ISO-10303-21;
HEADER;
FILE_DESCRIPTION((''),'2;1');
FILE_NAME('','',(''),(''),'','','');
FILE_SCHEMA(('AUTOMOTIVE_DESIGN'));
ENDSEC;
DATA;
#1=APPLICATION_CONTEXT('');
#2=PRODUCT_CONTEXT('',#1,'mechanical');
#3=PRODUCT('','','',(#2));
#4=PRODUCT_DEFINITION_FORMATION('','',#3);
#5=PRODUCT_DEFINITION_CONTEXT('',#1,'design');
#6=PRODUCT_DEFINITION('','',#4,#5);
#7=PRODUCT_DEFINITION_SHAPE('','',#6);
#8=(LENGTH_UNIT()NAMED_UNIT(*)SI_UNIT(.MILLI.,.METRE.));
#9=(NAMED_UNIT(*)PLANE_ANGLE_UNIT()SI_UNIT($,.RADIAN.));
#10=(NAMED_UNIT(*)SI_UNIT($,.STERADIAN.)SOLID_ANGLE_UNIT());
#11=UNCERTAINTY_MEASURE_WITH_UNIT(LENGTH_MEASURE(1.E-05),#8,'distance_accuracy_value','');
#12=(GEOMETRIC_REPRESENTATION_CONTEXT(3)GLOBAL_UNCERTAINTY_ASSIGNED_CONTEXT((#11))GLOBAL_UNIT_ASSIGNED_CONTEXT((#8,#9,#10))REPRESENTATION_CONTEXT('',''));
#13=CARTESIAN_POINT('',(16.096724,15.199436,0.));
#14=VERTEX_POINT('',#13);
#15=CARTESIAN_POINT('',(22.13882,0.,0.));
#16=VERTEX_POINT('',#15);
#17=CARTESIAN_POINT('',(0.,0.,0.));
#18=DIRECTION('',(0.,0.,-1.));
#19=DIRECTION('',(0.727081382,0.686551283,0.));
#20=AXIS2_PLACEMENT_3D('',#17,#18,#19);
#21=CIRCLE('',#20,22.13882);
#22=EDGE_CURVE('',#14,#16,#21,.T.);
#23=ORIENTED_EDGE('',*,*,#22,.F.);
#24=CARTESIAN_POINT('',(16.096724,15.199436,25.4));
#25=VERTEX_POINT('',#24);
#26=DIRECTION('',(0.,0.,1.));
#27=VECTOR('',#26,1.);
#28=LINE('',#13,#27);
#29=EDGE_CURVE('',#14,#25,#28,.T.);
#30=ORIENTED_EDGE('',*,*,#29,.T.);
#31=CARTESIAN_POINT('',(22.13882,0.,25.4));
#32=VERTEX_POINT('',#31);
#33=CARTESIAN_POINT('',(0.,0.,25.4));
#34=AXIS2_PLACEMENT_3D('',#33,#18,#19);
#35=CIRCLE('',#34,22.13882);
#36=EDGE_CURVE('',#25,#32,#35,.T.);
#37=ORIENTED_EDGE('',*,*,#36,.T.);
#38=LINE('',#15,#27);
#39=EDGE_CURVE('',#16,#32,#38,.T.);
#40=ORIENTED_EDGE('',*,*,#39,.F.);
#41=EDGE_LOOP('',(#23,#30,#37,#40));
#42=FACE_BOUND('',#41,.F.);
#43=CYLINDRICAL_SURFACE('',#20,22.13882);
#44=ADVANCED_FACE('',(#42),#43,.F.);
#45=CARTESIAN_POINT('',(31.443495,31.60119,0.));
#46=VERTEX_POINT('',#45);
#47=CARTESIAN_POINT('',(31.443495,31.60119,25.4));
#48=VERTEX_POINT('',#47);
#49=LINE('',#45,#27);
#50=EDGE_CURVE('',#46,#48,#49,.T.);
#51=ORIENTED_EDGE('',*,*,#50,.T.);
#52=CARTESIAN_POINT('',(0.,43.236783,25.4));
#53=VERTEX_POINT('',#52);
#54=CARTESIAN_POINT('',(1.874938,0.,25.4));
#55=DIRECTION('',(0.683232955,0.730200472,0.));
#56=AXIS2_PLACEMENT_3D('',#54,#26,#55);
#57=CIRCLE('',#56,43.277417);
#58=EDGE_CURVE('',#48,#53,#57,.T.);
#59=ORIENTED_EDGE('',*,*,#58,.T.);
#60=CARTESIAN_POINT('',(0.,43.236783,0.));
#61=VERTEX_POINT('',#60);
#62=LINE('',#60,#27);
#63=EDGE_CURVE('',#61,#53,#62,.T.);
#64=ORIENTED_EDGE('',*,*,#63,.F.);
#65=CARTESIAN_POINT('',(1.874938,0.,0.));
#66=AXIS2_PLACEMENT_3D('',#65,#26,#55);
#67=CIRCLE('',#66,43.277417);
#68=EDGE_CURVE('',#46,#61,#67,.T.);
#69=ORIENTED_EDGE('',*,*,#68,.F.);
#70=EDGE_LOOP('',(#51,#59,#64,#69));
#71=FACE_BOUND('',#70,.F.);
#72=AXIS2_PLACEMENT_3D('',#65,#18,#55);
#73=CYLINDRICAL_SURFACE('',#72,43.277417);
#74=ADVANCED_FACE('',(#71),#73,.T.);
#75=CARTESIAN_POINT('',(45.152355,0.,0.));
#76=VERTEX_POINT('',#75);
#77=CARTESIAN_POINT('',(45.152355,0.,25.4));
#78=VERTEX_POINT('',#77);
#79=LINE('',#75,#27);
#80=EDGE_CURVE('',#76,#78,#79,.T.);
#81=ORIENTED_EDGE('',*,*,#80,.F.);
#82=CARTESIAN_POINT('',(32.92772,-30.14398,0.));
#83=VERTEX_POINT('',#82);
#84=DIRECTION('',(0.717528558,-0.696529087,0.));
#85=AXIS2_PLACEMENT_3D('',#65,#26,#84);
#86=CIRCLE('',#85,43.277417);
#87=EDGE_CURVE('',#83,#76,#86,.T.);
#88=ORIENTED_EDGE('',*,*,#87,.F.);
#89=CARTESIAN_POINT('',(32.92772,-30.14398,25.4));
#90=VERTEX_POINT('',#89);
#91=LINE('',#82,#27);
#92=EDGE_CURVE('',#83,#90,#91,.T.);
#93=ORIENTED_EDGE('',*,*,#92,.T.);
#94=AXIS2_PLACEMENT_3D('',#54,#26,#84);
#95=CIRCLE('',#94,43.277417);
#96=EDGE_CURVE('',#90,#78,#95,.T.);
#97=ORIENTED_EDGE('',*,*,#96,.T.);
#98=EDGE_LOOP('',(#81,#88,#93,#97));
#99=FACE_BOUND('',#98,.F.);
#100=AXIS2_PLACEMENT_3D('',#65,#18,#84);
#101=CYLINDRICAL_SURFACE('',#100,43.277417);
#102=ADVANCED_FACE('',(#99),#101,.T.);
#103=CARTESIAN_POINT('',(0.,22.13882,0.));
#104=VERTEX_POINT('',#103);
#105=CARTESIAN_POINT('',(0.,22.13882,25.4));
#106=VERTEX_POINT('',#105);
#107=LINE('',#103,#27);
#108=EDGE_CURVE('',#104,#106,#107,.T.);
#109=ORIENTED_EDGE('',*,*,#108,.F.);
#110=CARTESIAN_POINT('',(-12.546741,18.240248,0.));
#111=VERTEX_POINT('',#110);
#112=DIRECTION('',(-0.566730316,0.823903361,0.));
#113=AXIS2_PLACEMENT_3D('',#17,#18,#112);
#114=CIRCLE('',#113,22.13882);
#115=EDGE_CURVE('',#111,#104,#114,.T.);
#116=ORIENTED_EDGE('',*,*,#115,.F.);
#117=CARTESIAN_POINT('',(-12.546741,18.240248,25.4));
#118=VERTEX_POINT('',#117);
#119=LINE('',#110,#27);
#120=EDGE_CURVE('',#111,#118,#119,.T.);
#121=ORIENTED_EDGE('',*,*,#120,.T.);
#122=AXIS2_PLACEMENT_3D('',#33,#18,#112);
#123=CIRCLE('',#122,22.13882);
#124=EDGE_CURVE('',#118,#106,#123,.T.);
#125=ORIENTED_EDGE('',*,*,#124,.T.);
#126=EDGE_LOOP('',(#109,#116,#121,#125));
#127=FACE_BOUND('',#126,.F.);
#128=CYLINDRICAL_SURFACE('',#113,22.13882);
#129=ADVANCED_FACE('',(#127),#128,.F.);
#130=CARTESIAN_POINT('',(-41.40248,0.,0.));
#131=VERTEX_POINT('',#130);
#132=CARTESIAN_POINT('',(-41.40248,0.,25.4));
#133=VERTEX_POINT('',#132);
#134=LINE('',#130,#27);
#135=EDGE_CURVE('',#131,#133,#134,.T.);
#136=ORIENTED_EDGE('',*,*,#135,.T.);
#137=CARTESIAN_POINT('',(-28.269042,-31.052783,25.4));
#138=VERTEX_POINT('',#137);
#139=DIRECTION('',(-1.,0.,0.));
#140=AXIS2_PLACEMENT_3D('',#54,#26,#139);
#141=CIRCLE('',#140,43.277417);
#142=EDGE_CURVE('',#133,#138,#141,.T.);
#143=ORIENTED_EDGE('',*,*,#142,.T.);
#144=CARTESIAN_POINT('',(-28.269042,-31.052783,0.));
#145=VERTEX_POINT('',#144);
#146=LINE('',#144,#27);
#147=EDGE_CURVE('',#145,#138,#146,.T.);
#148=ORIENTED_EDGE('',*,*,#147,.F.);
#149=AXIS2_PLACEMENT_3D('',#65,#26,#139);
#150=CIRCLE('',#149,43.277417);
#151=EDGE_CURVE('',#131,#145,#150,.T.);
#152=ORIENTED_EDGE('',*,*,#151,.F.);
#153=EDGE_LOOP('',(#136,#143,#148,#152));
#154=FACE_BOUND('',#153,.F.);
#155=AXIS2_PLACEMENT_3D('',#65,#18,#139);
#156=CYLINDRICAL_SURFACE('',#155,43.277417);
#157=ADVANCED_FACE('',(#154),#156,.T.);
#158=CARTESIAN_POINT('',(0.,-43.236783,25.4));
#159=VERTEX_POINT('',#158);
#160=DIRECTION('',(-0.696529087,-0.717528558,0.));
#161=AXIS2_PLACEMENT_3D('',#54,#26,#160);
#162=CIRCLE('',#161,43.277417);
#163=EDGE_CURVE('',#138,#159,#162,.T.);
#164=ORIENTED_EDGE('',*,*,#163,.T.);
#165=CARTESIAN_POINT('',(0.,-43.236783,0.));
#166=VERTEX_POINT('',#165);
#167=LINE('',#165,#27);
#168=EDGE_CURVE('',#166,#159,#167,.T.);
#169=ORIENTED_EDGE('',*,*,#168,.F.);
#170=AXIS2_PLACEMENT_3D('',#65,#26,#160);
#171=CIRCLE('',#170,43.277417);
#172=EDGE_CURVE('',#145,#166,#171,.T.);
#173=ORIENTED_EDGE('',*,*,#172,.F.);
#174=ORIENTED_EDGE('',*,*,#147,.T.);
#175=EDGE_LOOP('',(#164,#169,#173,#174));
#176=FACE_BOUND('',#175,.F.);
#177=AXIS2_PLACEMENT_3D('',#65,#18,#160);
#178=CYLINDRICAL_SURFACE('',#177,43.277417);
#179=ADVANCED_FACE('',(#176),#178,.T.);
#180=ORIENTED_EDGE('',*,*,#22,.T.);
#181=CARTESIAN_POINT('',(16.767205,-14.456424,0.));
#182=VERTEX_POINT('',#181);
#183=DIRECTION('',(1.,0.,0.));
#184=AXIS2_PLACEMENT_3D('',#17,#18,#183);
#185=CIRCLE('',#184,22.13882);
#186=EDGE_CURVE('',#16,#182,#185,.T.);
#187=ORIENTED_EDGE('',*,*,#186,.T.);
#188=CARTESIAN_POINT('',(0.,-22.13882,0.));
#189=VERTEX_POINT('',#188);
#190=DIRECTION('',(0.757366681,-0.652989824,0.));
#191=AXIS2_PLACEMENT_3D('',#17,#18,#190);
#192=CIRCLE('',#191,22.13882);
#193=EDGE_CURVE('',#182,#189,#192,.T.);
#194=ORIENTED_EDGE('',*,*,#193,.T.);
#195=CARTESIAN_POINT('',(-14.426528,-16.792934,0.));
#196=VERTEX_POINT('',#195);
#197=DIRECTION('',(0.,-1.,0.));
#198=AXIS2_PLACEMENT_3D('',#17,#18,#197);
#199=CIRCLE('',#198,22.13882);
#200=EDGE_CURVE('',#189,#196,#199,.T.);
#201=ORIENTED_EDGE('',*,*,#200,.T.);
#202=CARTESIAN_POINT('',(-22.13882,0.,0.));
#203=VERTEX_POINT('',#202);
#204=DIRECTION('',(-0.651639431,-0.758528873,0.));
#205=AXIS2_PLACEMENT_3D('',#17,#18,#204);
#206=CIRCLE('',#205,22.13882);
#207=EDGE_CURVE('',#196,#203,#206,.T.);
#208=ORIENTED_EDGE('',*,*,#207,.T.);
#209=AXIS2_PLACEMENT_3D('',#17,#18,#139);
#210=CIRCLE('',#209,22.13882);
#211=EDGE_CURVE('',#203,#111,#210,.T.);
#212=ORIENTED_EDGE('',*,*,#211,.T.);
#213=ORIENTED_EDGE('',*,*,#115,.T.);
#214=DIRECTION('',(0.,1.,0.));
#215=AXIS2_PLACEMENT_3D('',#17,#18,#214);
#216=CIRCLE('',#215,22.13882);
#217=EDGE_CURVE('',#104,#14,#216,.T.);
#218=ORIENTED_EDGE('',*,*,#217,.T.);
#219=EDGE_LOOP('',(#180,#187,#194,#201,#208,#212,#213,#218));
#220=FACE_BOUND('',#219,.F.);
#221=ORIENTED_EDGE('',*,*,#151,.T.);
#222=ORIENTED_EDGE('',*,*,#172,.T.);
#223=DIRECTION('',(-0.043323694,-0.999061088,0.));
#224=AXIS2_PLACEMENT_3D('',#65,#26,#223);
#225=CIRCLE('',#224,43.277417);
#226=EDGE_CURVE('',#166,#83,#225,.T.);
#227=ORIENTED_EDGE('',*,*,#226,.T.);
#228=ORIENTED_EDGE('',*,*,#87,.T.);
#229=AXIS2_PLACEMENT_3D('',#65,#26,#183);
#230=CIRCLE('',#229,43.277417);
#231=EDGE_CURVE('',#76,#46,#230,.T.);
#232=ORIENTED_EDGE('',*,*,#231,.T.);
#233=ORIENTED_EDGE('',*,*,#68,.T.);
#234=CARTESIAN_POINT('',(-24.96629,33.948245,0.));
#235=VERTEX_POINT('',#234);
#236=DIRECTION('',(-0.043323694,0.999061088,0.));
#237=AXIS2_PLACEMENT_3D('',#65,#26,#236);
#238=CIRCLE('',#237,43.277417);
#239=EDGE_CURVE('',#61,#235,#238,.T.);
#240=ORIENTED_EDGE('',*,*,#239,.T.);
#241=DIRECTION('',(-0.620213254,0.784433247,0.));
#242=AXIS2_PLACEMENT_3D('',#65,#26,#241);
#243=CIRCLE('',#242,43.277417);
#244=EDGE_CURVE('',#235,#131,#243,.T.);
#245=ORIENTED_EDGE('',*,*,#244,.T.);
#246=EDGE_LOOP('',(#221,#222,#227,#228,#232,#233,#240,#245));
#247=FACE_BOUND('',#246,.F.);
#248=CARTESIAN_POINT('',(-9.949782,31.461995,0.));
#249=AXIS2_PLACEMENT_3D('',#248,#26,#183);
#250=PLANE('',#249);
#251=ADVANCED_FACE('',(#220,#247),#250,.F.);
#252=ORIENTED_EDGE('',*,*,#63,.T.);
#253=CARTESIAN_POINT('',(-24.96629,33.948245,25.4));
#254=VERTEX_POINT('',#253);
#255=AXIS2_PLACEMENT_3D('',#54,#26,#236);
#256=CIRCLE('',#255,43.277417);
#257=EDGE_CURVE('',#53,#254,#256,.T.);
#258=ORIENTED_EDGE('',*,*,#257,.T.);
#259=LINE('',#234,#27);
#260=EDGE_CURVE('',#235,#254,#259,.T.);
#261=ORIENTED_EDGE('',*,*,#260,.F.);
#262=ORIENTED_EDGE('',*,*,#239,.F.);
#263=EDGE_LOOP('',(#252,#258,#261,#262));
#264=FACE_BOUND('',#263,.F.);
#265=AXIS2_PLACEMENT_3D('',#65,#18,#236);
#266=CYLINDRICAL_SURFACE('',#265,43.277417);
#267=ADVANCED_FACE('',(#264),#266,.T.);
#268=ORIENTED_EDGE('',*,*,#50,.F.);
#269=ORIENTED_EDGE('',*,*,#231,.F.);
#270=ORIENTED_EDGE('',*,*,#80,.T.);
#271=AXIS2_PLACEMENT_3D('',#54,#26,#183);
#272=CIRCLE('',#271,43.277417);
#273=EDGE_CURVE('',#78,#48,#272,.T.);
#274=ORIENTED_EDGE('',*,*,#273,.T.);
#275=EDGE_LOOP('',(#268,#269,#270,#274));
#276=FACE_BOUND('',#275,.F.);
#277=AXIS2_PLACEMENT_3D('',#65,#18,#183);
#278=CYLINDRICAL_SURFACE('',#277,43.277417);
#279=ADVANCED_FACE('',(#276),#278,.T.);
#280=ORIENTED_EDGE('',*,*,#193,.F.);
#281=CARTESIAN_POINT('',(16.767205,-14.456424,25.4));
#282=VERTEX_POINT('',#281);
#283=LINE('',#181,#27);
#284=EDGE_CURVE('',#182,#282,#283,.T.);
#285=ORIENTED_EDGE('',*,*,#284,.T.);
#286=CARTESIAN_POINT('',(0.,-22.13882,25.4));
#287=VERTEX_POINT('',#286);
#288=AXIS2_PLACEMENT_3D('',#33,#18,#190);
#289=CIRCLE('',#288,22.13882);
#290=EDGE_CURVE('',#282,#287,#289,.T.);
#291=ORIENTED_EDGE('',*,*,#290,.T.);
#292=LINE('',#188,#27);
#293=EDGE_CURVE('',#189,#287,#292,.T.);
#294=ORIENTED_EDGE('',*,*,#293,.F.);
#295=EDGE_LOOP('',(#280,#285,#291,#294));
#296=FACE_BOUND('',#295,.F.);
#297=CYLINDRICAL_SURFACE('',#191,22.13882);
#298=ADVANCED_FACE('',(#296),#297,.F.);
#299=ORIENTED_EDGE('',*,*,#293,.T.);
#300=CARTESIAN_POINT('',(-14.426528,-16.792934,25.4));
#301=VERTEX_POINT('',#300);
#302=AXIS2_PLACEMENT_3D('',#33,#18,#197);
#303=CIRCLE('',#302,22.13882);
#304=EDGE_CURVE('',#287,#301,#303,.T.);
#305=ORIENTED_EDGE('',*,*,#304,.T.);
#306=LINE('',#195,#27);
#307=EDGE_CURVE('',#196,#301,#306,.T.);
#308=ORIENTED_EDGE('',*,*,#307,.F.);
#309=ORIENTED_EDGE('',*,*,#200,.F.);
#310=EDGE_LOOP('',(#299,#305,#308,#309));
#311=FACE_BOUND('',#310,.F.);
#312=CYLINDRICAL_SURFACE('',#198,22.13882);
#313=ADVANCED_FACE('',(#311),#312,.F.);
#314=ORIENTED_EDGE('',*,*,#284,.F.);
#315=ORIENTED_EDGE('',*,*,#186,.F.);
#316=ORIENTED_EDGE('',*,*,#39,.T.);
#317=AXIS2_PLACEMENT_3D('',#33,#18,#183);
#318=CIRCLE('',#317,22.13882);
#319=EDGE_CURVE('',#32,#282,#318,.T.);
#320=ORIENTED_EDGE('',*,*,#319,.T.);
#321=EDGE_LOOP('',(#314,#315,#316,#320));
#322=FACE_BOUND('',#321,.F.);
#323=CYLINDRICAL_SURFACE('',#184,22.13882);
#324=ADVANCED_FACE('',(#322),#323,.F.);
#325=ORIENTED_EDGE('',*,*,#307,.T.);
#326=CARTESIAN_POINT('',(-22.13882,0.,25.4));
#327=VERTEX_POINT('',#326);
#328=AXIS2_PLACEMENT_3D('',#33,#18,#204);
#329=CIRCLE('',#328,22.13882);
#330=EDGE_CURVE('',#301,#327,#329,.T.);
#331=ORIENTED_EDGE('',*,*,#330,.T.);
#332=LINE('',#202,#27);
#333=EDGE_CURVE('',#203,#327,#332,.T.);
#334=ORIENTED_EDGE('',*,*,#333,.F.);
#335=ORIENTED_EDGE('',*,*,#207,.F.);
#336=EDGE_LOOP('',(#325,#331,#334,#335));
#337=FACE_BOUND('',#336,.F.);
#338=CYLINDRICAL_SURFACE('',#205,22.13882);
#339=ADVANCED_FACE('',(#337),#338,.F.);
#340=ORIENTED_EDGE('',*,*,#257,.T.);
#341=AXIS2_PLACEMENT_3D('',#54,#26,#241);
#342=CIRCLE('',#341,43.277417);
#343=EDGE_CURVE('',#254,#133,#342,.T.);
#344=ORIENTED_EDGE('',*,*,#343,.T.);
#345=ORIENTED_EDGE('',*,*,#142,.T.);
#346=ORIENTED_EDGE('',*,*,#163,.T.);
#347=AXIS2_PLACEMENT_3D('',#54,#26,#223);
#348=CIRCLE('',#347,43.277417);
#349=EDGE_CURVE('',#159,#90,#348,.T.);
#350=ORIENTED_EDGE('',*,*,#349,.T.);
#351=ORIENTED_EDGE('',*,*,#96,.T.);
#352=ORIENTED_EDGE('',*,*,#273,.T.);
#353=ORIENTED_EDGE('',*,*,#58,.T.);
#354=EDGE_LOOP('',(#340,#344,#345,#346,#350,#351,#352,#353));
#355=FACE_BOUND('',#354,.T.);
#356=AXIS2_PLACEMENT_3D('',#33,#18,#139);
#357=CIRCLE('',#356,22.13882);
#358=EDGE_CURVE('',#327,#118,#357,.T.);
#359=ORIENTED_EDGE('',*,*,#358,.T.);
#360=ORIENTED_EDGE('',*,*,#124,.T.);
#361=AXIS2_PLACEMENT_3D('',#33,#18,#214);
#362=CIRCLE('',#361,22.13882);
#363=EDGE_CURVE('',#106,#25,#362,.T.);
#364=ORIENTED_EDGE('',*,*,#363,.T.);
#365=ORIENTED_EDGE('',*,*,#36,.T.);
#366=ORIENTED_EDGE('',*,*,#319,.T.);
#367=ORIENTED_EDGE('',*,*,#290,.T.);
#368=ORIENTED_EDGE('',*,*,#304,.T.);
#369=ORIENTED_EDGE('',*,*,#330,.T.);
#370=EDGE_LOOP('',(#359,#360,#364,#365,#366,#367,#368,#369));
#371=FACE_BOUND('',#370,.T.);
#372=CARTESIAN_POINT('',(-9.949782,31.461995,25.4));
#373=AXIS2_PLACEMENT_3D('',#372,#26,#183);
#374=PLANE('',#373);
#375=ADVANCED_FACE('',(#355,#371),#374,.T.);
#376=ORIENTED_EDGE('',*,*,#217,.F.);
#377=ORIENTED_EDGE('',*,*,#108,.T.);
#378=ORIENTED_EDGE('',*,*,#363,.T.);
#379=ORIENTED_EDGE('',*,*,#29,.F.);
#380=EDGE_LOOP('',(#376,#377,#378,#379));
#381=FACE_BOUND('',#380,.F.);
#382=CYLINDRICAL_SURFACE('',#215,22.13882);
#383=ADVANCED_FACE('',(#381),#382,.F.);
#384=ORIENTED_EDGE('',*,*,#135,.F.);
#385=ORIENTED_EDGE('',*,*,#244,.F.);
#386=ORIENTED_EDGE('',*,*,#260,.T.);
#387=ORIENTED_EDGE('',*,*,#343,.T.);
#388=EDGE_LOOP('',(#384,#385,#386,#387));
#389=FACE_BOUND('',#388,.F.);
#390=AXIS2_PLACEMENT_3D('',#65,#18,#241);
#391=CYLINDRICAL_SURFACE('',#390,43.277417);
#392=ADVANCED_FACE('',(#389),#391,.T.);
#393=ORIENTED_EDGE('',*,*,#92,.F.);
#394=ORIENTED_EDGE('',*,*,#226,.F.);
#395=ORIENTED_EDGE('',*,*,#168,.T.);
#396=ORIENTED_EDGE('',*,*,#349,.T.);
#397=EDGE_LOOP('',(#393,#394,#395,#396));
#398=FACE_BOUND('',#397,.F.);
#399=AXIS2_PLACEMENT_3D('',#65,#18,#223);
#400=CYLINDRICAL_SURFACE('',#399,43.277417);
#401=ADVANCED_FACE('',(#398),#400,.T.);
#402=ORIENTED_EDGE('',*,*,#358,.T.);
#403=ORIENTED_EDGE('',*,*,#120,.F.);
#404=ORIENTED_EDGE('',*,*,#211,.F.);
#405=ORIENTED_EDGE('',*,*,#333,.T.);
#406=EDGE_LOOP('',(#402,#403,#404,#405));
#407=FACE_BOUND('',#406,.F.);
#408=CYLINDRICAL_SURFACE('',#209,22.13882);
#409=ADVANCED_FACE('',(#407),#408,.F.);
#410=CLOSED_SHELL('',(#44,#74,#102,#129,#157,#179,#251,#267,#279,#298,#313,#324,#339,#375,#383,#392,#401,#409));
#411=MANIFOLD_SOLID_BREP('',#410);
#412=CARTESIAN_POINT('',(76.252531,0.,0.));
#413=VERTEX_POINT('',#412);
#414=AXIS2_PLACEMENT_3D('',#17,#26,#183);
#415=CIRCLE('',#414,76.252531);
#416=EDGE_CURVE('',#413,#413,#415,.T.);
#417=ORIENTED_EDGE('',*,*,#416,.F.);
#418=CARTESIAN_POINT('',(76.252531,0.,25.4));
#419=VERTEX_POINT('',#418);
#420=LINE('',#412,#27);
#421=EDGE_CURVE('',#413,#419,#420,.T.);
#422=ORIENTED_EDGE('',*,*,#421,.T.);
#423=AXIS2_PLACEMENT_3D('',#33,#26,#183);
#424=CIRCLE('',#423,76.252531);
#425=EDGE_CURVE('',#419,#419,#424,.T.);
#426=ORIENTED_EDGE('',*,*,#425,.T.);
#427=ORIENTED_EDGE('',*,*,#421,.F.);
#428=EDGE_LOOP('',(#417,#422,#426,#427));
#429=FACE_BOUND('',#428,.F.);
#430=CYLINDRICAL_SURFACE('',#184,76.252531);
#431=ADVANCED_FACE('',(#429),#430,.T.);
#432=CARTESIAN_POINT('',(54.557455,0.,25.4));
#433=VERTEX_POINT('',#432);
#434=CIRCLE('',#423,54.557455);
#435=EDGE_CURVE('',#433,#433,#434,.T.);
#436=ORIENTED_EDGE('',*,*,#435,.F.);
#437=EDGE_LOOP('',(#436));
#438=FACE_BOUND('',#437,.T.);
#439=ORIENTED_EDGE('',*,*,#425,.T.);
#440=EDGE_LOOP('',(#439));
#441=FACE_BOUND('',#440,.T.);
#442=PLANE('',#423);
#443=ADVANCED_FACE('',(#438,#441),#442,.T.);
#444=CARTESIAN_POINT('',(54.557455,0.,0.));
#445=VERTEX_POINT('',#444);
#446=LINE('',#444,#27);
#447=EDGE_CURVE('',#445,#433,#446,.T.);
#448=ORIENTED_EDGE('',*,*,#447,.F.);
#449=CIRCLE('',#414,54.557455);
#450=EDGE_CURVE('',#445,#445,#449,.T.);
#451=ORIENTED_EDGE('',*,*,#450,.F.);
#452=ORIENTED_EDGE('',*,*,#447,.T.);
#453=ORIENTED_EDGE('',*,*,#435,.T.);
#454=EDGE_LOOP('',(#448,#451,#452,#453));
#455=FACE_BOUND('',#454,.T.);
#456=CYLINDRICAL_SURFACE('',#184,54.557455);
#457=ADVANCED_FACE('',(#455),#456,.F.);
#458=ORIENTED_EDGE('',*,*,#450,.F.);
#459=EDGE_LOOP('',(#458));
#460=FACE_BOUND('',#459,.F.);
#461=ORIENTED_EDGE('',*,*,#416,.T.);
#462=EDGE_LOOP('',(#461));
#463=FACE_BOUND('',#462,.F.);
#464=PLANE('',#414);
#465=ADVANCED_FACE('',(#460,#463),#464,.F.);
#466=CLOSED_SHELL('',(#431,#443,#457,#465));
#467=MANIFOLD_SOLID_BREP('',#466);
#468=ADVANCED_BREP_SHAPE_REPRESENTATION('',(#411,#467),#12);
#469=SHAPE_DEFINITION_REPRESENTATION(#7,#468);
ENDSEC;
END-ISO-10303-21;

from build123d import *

# Parameters (mm, degrees)
F0_R     = 76.2525314504
F0_R_2   = 54.5574552444
F1_DEPTH = 25.4
F3_DEPTH = 25.4


with BuildPart() as f1:
    # F0 (on Top) → F1 (new body)
    with BuildSketch(Plane.XY):
        Circle(F0_R)
        Circle(F0_R_2, mode=Mode.SUBTRACT)
    extrude(amount=F1_DEPTH)


with BuildPart() as f3:
    # F2 (on Top) → F3 (new body)
    with BuildSketch(Plane.XY):
        with BuildLine():
            ThreePointArc((-12.5467406494, 18.2402484754), (-6.5692382243, 21.1417235466), (0, 22.1388203247))
            Line((0, 22.1388203247), (0, 43.2367834284))
            ThreePointArc((0, 43.2367834284), (-13.2155817888, 40.5612013861), (-24.966290147, 33.9482448338))
            Line((-24.966290147, 33.9482448338), (-12.5467406494, 18.2402484754))
        make_face()
        with BuildLine():
            ThreePointArc((0, 22.1388203247), (8.7644108122, 20.3300877638), (16.0967240708, 15.1994355013))
            Line((16.0967240708, 15.1994355013), (31.4434951245, 31.6011904145))
            ThreePointArc((31.4434951245, 31.6011904145), (16.8942885258, 40.5876080675), (0, 43.2367834284))
            Line((0, 43.2367834284), (0, 22.1388203247))
        make_face()
        with BuildLine():
            ThreePointArc((16.0967240708, 15.1994355013), (20.5729172383, 8.1781686015), (22.1388203247, 0))
            Line((22.1388203247, 0), (45.1523546738, 0))
            ThreePointArc((45.1523546738, 0), (41.5774918306, 17.2232986515), (31.4434951245, 31.6011904145))
            Line((31.4434951245, 31.6011904145), (16.0967240708, 15.1994355013))
        make_face()
        with BuildLine():
            Line((45.1523546738, 0), (22.1388203247, 0))
            ThreePointArc((22.1388203247, 0), (20.7525119127, -7.7110709169), (16.7672048716, -14.4564243907))
            Line((16.7672048716, -14.4564243907), (32.9277202571, -30.1439798106))
            ThreePointArc((32.9277202571, -30.1439798106), (41.9799189299, -16.264233808), (45.1523546738, 0))
        make_face()
        with BuildLine():
            Line((32.9277202571, -30.1439798106), (16.7672048716, -14.4564243907))
            ThreePointArc((16.7672048716, -14.4564243907), (9.2216913645, -20.1267924356), (0, -22.1388203247))
            Line((0, -22.1388203247), (0, -43.2367834284))
            ThreePointArc((0, -43.2367834284), (17.8653108625, -40.2149573382), (32.9277202571, -30.1439798106))
        make_face()
        with BuildLine():
            Line((0, -43.2367834284), (0, -22.1388203247))
            ThreePointArc((0, -22.1388203247), (-7.6925810746, -20.7593728658), (-14.426528287, -16.7929344355))
            Line((-14.426528287, -16.7929344355), (-28.2690422511, -31.0527826976))
            ThreePointArc((-28.2690422511, -31.0527826976), (-15.2544300833, -39.7431704353), (0, -43.2367834284))
        make_face()
        with BuildLine():
            ThreePointArc((-14.426528287, -16.7929344355), (-20.1185695693, -9.2396170839), (-22.1388203247, 0))
            Line((-22.1388203247, 0), (-41.4024795548, 0))
            ThreePointArc((-41.4024795548, 0), (-37.9841167434, -16.85795427), (-28.2690422511, -31.0527826976))
            Line((-28.2690422511, -31.0527826976), (-14.426528287, -16.7929344355))
        make_face()
        with BuildLine():
            Line((-41.4024795548, 0), (-22.1388203247, 0))
            ThreePointArc((-22.1388203247, 0), (-19.5946089814, 10.3043031902), (-12.5467406494, 18.2402484754))
            Line((-12.5467406494, 18.2402484754), (-24.966290147, 33.9482448338))
            ThreePointArc((-24.966290147, 33.9482448338), (-37.0773013967, 18.8588947817), (-41.4024795548, 0))
        make_face()
    extrude(amount=F3_DEPTH)


solid = Compound([f1.part, f3.part])
